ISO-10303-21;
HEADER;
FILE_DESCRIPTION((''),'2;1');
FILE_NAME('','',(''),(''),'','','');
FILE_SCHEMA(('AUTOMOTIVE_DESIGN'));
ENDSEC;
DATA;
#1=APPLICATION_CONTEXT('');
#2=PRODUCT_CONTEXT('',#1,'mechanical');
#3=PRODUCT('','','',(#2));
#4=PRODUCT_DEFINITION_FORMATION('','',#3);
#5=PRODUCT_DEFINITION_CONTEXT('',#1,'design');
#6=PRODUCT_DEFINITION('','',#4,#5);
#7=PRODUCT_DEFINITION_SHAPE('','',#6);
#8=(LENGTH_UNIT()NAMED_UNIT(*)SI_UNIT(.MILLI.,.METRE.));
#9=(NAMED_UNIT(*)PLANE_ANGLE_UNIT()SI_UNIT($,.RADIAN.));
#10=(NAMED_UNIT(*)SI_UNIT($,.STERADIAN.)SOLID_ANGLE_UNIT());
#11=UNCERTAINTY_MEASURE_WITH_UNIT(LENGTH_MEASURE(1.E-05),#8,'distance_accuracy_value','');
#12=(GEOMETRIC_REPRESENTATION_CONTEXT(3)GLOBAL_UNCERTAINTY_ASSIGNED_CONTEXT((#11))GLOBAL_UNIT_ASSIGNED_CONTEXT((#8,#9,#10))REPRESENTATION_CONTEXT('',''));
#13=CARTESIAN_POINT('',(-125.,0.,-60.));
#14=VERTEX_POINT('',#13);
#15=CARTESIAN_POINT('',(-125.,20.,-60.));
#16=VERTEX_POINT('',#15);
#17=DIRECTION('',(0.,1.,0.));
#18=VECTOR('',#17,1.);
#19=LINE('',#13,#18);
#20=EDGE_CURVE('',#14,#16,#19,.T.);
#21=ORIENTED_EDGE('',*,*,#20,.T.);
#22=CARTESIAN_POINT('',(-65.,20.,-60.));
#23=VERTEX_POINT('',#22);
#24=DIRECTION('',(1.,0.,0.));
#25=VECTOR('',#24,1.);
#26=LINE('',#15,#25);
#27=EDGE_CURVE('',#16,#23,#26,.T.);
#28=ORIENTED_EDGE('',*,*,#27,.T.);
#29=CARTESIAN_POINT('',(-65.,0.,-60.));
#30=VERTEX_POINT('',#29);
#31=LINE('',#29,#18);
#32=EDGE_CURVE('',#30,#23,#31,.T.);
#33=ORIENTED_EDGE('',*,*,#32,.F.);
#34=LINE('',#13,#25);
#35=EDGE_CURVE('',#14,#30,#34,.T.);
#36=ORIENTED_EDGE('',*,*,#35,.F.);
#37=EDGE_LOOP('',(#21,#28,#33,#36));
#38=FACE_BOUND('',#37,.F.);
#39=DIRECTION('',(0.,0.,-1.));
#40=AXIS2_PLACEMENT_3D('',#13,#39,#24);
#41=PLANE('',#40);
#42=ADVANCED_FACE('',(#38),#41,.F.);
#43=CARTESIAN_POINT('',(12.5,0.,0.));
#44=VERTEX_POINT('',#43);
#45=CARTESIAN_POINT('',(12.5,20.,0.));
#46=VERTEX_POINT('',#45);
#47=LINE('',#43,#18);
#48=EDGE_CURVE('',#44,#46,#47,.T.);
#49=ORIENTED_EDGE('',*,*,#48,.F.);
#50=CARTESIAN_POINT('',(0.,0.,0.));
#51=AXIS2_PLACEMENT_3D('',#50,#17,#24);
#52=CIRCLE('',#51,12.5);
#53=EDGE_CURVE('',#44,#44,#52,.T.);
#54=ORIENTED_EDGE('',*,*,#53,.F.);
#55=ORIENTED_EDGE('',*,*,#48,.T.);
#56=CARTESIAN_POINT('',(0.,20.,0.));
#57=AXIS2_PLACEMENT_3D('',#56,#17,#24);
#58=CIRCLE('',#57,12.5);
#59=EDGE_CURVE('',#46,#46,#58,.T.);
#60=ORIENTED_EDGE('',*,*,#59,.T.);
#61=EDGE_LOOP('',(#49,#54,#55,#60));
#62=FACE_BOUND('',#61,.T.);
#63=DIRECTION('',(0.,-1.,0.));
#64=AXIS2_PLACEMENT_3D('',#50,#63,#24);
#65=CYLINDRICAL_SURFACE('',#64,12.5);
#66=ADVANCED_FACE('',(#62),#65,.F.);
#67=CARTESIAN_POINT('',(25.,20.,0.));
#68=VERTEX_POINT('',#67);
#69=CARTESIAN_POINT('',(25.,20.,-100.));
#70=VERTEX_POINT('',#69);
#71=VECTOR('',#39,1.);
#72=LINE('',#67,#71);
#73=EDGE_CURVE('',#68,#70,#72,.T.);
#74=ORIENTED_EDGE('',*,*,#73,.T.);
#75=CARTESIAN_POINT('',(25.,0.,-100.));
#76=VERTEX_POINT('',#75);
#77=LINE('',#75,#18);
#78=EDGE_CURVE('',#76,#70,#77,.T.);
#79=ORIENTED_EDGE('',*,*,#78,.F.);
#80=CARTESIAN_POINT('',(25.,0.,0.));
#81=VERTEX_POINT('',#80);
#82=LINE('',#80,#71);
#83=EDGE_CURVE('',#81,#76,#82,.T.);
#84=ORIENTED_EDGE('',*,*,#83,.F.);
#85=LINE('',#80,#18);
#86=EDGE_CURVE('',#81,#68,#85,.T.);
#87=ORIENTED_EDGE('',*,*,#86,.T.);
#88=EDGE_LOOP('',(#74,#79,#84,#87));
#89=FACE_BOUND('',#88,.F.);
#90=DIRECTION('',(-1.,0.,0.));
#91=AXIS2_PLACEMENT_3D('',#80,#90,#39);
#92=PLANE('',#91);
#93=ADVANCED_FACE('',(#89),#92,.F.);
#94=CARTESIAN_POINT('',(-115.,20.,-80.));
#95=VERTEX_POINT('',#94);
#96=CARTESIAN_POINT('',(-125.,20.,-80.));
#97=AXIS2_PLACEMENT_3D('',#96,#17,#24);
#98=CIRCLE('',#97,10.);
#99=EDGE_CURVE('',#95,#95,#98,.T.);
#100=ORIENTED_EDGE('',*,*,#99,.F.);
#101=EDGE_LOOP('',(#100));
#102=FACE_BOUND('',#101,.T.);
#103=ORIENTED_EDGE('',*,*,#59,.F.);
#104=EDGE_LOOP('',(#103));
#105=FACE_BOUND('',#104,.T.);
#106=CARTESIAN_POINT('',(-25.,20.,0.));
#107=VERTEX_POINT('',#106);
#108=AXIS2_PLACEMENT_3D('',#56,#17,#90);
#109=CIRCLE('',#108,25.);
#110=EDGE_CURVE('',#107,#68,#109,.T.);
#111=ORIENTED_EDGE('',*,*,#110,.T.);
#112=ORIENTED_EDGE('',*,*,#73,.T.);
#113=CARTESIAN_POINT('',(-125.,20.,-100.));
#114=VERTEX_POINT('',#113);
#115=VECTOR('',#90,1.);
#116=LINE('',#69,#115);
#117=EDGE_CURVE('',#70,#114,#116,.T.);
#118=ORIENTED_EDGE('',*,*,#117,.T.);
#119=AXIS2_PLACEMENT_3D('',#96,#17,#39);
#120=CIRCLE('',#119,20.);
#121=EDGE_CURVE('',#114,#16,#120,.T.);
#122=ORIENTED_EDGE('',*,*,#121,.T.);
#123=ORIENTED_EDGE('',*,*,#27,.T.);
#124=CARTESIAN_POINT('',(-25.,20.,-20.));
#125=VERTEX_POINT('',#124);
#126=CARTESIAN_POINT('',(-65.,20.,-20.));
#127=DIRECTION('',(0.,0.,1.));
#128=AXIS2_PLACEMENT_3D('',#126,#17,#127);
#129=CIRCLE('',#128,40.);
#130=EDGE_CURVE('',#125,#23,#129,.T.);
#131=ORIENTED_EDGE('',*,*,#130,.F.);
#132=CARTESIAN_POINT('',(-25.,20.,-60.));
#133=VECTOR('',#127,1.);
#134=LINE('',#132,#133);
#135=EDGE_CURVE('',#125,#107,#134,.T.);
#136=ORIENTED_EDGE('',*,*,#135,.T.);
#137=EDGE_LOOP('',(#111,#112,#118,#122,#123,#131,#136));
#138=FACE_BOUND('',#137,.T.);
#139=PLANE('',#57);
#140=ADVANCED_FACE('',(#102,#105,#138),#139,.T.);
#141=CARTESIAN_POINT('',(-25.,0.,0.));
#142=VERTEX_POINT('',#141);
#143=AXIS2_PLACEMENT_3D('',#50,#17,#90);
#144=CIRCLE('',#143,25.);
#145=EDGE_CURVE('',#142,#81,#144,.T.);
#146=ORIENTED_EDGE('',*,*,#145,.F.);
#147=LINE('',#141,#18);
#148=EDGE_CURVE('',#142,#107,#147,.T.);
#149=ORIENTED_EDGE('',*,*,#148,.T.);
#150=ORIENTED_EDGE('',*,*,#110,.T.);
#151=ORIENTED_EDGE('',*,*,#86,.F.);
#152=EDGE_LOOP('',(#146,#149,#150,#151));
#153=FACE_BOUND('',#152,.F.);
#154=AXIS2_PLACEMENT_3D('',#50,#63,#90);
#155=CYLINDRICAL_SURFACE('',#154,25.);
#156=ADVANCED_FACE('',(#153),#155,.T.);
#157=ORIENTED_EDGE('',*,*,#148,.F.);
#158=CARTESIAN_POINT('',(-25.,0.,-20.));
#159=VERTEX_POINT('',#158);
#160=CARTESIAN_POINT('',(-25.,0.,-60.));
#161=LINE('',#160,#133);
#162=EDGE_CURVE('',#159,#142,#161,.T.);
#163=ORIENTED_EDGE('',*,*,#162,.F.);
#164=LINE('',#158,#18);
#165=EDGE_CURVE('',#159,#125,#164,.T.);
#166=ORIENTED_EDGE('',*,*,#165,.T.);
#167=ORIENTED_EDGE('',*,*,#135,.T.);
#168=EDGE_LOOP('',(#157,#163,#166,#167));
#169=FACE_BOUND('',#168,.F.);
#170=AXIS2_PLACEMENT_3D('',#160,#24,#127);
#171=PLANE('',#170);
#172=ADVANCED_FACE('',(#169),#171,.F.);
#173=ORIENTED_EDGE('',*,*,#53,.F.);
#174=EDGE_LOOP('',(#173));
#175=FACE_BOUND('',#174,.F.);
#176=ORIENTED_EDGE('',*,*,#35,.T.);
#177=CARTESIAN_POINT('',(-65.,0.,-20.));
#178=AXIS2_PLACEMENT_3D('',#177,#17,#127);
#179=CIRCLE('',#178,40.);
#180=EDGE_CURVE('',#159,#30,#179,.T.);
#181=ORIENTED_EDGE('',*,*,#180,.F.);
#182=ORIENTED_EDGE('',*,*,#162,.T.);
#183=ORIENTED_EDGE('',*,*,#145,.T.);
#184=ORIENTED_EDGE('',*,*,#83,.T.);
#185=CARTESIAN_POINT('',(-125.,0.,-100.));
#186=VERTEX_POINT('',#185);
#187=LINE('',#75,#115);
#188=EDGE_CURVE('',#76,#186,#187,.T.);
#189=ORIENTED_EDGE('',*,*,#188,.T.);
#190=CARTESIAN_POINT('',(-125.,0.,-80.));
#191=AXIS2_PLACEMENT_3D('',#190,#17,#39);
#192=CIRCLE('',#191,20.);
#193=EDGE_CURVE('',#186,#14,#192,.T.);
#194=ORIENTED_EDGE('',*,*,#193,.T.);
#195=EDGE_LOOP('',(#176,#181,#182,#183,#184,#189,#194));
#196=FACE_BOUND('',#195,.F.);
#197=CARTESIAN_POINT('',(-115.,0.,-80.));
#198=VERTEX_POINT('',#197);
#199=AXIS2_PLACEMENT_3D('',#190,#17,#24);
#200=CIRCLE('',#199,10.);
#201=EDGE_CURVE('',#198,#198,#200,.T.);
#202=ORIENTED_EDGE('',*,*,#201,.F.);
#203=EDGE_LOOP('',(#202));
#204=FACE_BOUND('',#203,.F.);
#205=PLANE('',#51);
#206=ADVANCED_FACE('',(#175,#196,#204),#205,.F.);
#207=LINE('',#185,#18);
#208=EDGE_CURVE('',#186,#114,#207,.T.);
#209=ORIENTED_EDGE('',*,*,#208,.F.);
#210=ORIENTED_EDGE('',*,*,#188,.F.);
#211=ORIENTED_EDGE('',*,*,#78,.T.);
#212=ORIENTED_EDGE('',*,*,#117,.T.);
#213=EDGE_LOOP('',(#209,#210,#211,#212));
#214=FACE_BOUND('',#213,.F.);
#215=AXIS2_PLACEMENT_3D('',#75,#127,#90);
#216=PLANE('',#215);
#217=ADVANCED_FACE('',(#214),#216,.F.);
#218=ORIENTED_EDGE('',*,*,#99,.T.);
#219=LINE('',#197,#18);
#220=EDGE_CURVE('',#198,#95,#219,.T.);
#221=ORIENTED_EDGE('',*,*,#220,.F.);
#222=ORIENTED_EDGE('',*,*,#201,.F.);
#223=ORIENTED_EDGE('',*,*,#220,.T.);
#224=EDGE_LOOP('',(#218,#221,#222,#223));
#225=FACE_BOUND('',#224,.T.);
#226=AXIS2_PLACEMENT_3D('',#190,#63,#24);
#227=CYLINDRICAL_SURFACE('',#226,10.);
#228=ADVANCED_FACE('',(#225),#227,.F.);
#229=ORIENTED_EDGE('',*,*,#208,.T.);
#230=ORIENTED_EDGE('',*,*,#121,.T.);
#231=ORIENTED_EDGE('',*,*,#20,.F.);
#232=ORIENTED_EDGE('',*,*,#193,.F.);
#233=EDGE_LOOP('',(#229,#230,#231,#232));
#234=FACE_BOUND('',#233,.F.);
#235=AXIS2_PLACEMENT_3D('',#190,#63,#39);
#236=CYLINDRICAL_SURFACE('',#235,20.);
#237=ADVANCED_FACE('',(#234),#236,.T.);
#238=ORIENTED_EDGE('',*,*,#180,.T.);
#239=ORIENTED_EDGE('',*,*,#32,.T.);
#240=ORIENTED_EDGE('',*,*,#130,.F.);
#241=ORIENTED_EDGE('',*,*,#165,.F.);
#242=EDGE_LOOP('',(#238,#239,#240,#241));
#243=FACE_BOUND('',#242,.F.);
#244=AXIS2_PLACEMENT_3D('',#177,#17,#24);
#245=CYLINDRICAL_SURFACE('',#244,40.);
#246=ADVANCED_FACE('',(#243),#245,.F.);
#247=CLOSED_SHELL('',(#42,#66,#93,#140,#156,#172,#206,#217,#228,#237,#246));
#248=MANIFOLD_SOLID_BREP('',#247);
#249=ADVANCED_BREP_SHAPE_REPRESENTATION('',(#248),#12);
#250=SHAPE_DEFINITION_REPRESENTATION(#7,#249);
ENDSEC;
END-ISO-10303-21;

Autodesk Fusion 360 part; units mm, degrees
sketch "Sketch1" plane through (0, 0, 0) normal (0, 1, 0) x (1, 0, 0)
  line L0 (24.3392, -13.8982) -> (-125.6608, -13.8982)
  arc A0 (-125.6608, -13.8982) -> (-125.6608, -53.8982) centre (-125.6608, -33.8982) ccw
  arc A1 (-14.3201, -29.8888) -> (-14.3202, -29.8887) centre (-14.3202, -29.8888) ccw
  line L1 (-14.3201, -29.8888) -> (-14.3201, -30.0005)
  arc A2 (-25.6608, -113.8982) -> (24.3392, -113.8982) centre (-0.6608, -113.8982) ccw
  line L2 (24.3392, -113.8982) -> (24.3392, -13.8982)
  line L3 (-125.6608, -53.8982) -> (-65.6608, -53.8982)
  arc A3 (-25.6608, -93.8982) -> (-65.6608, -53.8982) centre (-65.6608, -93.8982) ccw
  line L4 (-25.6608, -93.8982) -> (-25.6608, -113.8982)
  circle A4 centre (-0.6608, -113.8982) radius 12.5
  circle A5 centre (-125.6608, -33.8982) radius 10
  dimension "d1" = 100
  dimension "d2" = 150
  dimension "d3" = 20
  dimension "d4" = 25
  dimension "d5" = 40
  dimension "d6" = 25
  dimension "d7" = 20
sketch "Sketch2" plane through (0, 0, 0) normal (0, 1, 0) x (1, 0, 0)
  line L0 (25, 100) -> (-125, 100)
  arc A0 (-125, 100) -> (-125, 60) centre (-125, 80) ccw
  line L1 (-125, 60) -> (-25, 60)
  line L2 (-25, 60) -> (-25, 0)
  arc A1 (-25, 0) -> (25, 0) centre (0, 0) ccw
  line L3 (25, 0) -> (25, 100)
  circle A2 centre (0, 0) radius 12.5
  circle A3 centre (-125, 80) radius 10
  dimension "d10" = 150
  dimension "d11" = 100
  dimension "d12" = 25
  dimension "d13" = 20
  dimension "d14" = 25
  dimension "d15" = 20
extrude "Extrude2" add sketch "Sketch2" along normal blind 20
fillet "Fillet1" radius 40 1 edges at (-25, 10, -60)
